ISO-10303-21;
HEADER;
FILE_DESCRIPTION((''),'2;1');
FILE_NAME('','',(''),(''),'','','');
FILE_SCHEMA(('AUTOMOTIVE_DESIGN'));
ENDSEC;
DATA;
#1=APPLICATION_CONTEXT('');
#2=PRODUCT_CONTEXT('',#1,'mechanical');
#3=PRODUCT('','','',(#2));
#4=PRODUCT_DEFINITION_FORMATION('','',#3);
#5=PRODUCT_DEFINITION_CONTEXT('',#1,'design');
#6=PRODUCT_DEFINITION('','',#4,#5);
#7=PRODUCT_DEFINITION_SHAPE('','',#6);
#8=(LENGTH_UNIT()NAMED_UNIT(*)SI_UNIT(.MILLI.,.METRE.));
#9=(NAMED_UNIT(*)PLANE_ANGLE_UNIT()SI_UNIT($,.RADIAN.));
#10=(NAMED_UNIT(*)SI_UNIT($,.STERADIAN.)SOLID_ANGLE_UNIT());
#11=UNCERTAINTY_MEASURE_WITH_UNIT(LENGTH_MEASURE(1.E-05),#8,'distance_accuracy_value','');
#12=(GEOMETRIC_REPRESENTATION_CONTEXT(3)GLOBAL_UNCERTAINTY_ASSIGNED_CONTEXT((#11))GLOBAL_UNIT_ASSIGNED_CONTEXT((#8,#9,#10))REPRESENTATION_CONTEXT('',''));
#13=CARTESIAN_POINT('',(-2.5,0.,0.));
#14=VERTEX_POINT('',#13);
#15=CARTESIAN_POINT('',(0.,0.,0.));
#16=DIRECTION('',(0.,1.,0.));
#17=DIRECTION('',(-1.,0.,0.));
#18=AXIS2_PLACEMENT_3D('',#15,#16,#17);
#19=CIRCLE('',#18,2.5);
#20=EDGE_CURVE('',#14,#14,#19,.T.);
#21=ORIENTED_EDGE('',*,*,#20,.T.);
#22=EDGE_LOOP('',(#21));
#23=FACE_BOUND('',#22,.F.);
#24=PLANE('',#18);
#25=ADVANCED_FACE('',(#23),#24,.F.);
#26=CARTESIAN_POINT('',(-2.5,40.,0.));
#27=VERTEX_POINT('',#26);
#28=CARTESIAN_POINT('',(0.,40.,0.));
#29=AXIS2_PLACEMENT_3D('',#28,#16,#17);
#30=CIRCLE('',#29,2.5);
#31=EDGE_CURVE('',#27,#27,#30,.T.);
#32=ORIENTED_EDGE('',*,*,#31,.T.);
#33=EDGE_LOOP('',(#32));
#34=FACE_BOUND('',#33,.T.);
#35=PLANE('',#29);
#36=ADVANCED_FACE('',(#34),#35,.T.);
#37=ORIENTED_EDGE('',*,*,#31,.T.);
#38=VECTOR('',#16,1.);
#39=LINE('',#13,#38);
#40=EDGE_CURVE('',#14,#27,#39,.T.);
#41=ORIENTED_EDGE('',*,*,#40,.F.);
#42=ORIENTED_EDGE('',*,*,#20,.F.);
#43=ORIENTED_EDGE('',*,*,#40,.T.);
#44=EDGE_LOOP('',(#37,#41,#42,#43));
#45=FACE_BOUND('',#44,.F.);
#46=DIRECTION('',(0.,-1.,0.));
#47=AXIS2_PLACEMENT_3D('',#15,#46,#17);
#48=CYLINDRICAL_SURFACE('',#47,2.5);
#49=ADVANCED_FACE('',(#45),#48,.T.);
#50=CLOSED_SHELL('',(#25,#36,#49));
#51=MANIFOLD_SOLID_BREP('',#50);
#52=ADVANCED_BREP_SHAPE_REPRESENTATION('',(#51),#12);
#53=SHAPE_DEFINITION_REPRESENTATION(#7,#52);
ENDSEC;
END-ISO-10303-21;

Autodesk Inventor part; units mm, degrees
ref_plane "YZ Plane" through (0, 0, 0) normal (1, 0, 0) x (0, 1, 0)
ref_plane "XZ Plane" through (0, 0, 0) normal (0, 1, 0) x (-1, 0, 0)
ref_plane "XY Plane" through (0, 0, 0) normal (0, 0, 1) x (1, 0, 0)
sketch "Szkic1" plane through (0, 0, 0) normal (0, 1, 0) x (-1, 0, 0)
  circle A0 centre (0, 0) radius 4.25
  line L0 (1.1547, 2) -> (2.3094, 0)
  line L1 (2.3094, 0) -> (1.1547, -2)
  line L2 (1.1547, -2) -> (-1.1547, -2)
  line L3 (-1.1547, -2) -> (-2.3094, 0)
  line L4 (-2.3094, 0) -> (-1.1547, 2)
  line L5 (-1.1547, 2) -> (1.1547, 2)
  circle A1 centre (0, 0) radius 2.5
  dimension "d0" = 8.5
  dimension "d1" = 4
  dimension "d2" = 5
extrude "Wyciągnięcie proste4" add sketch "Szkic1" along normal blind 40 contours L0 L1 L2 L3 L4 L5 | A1
thread "Gwint2" size "M5x0.8" class "6g" standard "ANSI Metric M Profile" length 8
thread "Gwint3" size "M5x0.8" class "6g" standard "ANSI Metric M Profile" length 8
properties part number "M5_shaft" material "Aluminum 6061"
